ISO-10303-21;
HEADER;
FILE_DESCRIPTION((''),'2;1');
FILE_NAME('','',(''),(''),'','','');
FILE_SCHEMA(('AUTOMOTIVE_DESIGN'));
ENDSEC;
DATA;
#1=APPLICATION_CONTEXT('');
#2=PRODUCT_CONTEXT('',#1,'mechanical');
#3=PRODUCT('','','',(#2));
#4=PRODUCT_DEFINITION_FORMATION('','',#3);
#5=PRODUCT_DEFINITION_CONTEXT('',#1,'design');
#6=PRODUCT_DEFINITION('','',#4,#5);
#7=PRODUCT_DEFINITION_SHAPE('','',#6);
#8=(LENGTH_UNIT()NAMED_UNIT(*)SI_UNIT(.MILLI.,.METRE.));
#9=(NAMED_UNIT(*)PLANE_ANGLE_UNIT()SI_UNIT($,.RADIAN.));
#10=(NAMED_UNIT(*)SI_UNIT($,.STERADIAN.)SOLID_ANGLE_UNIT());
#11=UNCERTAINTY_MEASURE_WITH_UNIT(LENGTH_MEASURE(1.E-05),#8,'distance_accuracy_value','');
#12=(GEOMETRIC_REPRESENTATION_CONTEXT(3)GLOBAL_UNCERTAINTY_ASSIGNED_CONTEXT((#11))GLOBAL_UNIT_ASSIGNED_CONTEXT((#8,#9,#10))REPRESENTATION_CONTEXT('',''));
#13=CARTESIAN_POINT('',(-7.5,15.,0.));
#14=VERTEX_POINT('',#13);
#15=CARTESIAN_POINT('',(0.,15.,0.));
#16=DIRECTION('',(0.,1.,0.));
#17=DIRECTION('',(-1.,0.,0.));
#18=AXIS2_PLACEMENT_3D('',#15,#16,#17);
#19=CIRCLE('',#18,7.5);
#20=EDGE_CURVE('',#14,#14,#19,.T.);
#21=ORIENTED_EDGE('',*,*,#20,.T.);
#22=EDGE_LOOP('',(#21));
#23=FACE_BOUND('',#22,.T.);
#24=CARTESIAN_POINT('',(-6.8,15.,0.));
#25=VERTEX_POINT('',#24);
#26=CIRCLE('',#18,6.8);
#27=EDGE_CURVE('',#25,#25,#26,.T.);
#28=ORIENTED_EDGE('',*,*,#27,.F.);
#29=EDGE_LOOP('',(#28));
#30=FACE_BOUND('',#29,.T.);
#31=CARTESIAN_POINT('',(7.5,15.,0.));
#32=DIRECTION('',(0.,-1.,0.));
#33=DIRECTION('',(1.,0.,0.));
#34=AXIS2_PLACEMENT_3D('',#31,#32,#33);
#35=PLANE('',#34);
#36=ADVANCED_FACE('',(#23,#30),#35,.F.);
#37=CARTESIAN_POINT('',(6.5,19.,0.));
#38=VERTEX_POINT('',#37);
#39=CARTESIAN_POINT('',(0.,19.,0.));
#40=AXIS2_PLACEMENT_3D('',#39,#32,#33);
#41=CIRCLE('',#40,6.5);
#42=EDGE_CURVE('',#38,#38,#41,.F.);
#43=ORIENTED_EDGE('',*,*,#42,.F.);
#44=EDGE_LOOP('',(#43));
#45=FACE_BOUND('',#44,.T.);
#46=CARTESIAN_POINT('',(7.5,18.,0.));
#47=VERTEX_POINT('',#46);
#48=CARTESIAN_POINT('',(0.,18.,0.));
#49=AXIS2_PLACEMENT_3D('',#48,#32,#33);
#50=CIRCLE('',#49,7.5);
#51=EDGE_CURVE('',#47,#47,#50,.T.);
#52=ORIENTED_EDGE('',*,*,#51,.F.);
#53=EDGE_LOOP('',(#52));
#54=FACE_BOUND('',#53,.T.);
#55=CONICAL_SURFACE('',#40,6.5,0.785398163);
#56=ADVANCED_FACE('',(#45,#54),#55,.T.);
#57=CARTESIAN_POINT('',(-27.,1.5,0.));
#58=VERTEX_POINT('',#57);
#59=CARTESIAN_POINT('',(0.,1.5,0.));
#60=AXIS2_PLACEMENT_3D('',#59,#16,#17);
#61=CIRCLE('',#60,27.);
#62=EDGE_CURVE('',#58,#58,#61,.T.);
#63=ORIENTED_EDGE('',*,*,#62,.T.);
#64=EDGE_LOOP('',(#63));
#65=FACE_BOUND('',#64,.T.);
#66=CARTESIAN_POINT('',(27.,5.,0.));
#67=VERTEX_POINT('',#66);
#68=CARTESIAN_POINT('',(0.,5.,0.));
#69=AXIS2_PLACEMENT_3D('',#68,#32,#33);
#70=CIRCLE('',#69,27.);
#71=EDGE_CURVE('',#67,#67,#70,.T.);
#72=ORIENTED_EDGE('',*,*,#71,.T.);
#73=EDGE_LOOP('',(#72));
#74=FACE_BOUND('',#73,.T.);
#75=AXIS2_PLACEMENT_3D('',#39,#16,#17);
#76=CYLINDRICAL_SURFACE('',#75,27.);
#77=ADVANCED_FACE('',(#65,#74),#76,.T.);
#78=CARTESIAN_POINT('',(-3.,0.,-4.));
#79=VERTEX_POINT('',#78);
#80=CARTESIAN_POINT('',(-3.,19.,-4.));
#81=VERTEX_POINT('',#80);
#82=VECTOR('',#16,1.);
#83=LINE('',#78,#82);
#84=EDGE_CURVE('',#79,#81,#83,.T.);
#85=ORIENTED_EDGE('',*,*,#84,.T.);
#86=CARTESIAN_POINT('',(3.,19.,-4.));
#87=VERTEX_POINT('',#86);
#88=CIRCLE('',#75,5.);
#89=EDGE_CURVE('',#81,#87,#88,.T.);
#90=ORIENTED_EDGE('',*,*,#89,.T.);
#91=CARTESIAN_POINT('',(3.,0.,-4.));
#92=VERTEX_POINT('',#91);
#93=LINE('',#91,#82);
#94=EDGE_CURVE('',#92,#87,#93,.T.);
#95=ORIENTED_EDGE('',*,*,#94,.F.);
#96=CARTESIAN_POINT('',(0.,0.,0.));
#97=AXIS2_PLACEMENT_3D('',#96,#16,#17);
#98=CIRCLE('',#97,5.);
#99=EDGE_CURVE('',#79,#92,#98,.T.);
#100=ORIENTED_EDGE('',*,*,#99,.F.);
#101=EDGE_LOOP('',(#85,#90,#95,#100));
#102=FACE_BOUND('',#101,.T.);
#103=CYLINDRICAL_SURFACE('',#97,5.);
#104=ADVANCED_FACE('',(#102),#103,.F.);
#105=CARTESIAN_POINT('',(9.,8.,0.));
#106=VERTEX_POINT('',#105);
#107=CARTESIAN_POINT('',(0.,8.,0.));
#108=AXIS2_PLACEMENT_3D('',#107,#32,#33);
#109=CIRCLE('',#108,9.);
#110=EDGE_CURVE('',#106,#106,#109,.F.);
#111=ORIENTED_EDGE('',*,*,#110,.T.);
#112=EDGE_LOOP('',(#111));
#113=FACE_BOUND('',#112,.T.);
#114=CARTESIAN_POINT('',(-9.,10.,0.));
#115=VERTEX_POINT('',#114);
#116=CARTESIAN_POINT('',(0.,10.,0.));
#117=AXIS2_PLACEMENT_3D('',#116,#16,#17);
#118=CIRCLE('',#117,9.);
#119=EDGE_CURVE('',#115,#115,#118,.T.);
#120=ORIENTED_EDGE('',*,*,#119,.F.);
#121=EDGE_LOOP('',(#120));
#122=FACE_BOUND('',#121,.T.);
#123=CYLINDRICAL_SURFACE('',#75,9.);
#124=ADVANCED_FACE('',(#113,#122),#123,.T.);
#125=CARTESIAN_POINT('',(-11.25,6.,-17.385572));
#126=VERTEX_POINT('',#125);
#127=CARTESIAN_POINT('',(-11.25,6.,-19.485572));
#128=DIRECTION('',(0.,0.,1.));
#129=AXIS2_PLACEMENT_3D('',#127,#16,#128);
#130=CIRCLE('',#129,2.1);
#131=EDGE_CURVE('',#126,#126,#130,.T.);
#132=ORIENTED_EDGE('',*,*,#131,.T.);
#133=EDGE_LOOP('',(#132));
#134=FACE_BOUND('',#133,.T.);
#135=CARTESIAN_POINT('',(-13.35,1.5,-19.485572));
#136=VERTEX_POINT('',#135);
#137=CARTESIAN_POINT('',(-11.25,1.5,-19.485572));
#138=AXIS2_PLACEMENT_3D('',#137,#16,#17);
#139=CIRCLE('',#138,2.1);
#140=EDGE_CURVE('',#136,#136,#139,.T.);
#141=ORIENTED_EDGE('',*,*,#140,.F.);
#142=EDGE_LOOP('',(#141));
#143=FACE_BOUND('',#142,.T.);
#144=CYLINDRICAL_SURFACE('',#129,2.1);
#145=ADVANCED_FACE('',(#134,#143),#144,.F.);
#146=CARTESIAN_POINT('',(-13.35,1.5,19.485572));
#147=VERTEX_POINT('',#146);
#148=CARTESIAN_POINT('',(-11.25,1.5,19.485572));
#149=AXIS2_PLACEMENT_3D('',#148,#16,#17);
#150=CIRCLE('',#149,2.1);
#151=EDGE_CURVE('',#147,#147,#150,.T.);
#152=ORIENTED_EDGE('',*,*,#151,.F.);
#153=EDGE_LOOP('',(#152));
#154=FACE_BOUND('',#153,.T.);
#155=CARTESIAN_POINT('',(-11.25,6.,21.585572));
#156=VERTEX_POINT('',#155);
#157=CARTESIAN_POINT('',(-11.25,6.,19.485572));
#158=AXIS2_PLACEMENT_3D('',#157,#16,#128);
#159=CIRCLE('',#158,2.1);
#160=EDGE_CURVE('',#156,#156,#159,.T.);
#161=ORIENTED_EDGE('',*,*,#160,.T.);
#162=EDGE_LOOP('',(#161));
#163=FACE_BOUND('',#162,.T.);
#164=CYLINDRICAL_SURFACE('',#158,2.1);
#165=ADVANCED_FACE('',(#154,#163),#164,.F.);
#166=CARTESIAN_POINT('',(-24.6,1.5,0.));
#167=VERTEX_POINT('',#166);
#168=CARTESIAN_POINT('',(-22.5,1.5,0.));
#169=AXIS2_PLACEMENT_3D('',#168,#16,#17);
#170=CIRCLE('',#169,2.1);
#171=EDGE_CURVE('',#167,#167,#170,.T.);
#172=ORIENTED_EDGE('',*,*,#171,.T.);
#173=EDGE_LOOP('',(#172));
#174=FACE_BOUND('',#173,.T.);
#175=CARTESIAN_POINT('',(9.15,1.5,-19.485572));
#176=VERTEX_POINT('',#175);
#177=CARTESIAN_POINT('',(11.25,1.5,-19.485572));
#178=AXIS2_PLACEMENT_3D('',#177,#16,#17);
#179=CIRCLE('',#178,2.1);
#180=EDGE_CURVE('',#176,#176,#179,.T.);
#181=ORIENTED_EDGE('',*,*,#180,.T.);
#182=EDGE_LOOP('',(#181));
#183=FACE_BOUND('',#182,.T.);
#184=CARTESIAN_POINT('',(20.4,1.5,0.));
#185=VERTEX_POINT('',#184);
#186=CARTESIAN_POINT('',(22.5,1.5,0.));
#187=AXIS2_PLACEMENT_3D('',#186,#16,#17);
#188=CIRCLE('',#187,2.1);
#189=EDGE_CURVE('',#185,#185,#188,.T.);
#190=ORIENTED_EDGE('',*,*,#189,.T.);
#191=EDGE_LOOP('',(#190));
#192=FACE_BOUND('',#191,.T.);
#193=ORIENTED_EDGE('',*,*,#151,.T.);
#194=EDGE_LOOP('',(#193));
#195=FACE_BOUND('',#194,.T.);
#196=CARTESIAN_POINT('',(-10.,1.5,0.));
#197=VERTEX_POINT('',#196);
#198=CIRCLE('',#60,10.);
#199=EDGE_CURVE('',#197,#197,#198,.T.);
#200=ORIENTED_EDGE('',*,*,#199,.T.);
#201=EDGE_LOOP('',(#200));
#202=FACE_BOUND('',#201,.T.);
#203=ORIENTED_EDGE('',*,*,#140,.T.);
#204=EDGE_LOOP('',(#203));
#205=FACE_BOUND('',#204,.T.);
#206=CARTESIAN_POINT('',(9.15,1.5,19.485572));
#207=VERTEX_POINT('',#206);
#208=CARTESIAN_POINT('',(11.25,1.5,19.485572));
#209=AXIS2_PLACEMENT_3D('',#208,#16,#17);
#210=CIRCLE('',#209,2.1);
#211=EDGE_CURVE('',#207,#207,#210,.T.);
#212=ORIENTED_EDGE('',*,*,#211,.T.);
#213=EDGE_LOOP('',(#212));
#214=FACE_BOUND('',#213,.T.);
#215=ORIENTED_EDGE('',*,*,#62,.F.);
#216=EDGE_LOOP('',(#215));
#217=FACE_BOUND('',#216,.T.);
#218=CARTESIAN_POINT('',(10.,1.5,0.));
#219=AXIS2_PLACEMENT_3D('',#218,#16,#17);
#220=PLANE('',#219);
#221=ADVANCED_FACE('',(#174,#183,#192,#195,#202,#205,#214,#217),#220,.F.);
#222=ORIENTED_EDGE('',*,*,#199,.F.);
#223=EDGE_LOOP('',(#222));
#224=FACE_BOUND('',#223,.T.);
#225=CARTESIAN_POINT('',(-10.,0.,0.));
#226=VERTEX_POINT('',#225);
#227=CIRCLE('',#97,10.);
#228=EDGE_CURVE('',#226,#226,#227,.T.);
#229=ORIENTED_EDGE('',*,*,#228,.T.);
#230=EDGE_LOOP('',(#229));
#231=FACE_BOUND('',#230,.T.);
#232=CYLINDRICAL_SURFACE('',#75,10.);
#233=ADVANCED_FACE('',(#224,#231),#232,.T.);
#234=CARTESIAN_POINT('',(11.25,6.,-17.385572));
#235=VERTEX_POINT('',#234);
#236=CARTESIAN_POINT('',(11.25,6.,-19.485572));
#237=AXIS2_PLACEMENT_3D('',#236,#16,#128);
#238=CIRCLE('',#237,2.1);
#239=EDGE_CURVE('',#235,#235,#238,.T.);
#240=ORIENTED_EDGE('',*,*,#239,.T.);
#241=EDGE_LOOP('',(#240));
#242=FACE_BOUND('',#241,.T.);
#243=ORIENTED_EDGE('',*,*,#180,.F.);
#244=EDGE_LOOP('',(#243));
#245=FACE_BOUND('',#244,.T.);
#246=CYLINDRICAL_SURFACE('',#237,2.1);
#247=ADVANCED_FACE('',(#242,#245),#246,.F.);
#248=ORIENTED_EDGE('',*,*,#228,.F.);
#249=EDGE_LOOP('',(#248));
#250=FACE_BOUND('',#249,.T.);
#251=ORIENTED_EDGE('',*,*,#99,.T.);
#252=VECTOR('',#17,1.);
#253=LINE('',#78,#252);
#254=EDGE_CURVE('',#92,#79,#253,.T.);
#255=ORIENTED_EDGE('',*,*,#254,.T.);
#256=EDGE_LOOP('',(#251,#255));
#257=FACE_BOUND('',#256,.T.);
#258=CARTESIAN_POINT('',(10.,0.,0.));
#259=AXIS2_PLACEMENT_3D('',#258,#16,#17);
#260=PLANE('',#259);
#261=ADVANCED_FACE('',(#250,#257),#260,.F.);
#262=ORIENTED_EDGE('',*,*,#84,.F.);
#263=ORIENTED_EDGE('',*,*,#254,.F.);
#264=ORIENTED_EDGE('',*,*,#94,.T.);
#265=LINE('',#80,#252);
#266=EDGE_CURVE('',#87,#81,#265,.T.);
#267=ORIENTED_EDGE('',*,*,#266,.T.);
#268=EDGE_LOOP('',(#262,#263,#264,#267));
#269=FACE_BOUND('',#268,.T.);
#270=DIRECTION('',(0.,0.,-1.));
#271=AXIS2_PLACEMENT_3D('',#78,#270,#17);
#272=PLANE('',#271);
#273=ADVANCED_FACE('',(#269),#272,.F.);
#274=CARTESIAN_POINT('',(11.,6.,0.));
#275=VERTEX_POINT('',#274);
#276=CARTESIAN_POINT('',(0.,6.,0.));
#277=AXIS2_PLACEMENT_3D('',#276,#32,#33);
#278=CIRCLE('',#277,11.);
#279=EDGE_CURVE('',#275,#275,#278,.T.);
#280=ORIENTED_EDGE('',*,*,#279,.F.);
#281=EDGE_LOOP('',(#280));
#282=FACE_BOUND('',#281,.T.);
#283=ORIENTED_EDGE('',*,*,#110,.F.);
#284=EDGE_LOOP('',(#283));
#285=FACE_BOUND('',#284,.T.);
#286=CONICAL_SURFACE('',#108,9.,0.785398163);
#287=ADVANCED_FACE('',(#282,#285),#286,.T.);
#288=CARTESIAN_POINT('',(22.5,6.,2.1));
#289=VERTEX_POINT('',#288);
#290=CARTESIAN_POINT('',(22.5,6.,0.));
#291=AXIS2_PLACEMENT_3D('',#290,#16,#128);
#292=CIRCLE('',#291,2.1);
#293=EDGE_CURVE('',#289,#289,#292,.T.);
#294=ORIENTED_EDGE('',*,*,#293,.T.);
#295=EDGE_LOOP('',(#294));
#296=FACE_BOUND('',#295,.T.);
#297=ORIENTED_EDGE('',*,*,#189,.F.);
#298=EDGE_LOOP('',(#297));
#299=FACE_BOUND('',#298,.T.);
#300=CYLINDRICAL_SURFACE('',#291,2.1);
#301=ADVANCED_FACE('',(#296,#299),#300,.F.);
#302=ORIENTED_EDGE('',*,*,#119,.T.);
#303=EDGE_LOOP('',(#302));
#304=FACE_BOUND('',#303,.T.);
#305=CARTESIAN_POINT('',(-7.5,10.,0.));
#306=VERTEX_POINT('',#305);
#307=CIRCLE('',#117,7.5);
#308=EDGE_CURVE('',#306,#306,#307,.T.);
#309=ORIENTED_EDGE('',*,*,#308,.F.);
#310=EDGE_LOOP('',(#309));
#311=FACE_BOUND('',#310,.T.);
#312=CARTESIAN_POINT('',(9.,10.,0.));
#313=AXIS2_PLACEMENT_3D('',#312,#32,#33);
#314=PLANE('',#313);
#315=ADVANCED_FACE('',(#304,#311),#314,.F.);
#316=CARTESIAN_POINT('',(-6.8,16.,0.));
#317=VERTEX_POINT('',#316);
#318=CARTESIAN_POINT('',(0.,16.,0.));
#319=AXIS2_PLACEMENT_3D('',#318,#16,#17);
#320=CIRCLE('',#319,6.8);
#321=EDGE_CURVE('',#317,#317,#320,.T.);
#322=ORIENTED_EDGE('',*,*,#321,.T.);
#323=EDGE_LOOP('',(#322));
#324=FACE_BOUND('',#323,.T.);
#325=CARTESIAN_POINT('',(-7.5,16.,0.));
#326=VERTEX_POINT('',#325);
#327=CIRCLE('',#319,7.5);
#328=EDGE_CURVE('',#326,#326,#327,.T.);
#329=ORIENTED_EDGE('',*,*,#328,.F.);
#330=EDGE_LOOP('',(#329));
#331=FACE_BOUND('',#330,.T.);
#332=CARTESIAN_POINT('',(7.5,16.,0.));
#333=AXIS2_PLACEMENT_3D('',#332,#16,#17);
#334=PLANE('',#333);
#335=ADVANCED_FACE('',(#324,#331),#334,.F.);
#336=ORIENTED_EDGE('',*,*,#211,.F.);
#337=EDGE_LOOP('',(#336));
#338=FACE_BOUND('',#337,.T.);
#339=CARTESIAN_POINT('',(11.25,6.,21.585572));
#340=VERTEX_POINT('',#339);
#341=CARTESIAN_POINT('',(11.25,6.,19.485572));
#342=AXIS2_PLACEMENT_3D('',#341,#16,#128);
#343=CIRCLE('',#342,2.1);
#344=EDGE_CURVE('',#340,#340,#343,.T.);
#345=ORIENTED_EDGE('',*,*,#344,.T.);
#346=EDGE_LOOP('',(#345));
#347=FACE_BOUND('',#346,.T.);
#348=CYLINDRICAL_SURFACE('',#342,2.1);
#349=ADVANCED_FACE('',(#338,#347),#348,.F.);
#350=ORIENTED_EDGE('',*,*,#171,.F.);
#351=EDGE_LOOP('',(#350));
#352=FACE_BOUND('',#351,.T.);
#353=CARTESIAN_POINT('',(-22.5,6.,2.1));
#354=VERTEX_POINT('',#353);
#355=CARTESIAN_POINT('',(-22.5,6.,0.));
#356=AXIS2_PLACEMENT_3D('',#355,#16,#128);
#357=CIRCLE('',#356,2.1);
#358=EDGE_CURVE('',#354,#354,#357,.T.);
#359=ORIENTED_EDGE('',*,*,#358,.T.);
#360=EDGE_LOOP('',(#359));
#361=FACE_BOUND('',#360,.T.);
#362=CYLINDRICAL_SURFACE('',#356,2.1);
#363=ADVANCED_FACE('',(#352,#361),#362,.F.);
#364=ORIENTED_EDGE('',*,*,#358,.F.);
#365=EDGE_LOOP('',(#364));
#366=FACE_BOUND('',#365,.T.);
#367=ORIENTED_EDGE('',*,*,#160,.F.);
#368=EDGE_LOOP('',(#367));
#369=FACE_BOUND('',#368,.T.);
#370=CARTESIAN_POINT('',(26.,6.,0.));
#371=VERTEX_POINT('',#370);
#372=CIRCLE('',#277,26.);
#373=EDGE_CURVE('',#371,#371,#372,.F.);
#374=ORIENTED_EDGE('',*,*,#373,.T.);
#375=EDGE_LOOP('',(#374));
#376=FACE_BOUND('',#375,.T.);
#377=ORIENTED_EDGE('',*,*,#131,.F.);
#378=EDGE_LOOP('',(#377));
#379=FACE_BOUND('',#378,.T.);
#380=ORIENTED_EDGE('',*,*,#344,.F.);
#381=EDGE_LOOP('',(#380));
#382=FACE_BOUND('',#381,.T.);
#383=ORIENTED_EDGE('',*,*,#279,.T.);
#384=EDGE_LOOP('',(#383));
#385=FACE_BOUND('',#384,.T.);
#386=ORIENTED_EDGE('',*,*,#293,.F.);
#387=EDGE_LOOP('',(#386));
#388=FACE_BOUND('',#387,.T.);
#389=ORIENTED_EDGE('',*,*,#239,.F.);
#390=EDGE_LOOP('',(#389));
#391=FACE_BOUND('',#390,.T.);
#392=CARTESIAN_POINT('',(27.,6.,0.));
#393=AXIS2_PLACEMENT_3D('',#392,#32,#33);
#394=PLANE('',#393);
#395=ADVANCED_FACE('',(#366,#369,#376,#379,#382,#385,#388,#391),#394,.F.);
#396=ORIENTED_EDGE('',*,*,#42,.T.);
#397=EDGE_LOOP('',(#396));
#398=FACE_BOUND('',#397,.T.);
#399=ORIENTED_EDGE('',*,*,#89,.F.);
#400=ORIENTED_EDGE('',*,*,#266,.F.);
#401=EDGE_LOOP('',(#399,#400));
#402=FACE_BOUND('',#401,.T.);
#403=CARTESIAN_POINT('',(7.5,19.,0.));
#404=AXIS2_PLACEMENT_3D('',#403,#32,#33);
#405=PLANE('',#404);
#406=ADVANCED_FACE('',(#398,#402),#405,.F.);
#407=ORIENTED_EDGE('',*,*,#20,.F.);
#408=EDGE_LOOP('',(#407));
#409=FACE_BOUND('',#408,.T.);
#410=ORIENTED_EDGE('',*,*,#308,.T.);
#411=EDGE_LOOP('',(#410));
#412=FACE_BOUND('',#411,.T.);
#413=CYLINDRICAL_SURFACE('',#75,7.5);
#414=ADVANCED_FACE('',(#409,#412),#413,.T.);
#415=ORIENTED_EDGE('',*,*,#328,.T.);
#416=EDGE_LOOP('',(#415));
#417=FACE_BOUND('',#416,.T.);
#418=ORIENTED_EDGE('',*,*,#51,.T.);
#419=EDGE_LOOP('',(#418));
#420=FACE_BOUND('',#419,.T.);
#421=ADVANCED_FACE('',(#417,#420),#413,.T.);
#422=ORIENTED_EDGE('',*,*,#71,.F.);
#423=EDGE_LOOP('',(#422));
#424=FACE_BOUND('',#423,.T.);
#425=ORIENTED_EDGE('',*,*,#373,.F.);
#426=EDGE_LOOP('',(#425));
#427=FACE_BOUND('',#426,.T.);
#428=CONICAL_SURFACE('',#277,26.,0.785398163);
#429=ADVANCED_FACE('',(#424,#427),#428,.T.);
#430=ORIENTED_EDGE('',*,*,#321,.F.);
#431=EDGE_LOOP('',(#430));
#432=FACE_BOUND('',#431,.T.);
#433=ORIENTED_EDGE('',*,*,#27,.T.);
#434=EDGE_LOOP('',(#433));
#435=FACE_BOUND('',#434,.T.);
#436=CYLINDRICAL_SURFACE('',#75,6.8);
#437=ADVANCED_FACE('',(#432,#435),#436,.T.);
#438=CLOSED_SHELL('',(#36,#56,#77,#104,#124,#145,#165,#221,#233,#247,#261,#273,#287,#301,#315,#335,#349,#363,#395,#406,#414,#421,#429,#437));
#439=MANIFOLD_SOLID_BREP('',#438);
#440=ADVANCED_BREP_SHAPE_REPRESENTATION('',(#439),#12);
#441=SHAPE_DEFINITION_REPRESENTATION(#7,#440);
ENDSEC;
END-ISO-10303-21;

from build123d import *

# Parameters (mm, degrees)
CUT_EXTRUDE_1_DEPTH = 43.649736224
HOLE_WIZARD_M5_1_D  = 4.2
CHAMFER_1_SIZE      = 2
CHAMFER_2_SIZE      = 1


with BuildPart() as part:
    # 草图1 → 旋转1 (revolve)
    with BuildSketch(Plane.XY, mode=Mode.PRIVATE) as revolve_1_sk:
        Polygon((0, 19), (0, 0), (10, 0), (10, 1.5), (27, 1.5), (27, 6), (9, 6), (9, 10), (7.5, 10), (7.5, 15), (6.8, 15), (6.8, 16), (7.5, 16), (7.5, 19), align=None)
    revolve(revolve_1_sk.sketch.rotate(Axis((0, 19, 0), (0, -1, 0)), 180), axis=Axis((0, 19, 0), (0, -1, 0)))

    # 草图2 → 切除-拉伸1 (cut, through all)
    with BuildSketch(Plane(origin=(0, 19, 0), x_dir=(1, 0, 0), z_dir=(0, 1, 0))):
        with BuildLine():
            Line((-3, 4), (3, 4))
            ThreePointArc((3, 4), (0, -5), (-3, 4))
        make_face()
    extrude(amount=-CUT_EXTRUDE_1_DEPTH, mode=Mode.SUBTRACT)

    # M5 螺纹孔1 (through all)
    with Locations(Plane(origin=(0, 6, 0), x_dir=(1, 0, 0), z_dir=(0, 1, 0))):
        with Locations((-11.25, 19.485571585), (11.25, 19.485571585), (22.5, 0), (11.25, -19.485571585), (-11.25, -19.485571585), (-22.5, 0)):
            Hole(HOLE_WIZARD_M5_1_D / 2)

    # 倒角1
    chamfer_1_edges = [part.edges().sort_by_distance(p)[0] for p in [
        (9, 6, 0),
    ]]
    chamfer(chamfer_1_edges, length=CHAMFER_1_SIZE)

    # 倒角2
    chamfer_2_edges = [part.edges().sort_by_distance(p)[0] for p in [
        (27, 6, 0),
        (7.5, 19, 0),
    ]]
    chamfer(chamfer_2_edges, length=CHAMFER_2_SIZE)


solid = part.part
